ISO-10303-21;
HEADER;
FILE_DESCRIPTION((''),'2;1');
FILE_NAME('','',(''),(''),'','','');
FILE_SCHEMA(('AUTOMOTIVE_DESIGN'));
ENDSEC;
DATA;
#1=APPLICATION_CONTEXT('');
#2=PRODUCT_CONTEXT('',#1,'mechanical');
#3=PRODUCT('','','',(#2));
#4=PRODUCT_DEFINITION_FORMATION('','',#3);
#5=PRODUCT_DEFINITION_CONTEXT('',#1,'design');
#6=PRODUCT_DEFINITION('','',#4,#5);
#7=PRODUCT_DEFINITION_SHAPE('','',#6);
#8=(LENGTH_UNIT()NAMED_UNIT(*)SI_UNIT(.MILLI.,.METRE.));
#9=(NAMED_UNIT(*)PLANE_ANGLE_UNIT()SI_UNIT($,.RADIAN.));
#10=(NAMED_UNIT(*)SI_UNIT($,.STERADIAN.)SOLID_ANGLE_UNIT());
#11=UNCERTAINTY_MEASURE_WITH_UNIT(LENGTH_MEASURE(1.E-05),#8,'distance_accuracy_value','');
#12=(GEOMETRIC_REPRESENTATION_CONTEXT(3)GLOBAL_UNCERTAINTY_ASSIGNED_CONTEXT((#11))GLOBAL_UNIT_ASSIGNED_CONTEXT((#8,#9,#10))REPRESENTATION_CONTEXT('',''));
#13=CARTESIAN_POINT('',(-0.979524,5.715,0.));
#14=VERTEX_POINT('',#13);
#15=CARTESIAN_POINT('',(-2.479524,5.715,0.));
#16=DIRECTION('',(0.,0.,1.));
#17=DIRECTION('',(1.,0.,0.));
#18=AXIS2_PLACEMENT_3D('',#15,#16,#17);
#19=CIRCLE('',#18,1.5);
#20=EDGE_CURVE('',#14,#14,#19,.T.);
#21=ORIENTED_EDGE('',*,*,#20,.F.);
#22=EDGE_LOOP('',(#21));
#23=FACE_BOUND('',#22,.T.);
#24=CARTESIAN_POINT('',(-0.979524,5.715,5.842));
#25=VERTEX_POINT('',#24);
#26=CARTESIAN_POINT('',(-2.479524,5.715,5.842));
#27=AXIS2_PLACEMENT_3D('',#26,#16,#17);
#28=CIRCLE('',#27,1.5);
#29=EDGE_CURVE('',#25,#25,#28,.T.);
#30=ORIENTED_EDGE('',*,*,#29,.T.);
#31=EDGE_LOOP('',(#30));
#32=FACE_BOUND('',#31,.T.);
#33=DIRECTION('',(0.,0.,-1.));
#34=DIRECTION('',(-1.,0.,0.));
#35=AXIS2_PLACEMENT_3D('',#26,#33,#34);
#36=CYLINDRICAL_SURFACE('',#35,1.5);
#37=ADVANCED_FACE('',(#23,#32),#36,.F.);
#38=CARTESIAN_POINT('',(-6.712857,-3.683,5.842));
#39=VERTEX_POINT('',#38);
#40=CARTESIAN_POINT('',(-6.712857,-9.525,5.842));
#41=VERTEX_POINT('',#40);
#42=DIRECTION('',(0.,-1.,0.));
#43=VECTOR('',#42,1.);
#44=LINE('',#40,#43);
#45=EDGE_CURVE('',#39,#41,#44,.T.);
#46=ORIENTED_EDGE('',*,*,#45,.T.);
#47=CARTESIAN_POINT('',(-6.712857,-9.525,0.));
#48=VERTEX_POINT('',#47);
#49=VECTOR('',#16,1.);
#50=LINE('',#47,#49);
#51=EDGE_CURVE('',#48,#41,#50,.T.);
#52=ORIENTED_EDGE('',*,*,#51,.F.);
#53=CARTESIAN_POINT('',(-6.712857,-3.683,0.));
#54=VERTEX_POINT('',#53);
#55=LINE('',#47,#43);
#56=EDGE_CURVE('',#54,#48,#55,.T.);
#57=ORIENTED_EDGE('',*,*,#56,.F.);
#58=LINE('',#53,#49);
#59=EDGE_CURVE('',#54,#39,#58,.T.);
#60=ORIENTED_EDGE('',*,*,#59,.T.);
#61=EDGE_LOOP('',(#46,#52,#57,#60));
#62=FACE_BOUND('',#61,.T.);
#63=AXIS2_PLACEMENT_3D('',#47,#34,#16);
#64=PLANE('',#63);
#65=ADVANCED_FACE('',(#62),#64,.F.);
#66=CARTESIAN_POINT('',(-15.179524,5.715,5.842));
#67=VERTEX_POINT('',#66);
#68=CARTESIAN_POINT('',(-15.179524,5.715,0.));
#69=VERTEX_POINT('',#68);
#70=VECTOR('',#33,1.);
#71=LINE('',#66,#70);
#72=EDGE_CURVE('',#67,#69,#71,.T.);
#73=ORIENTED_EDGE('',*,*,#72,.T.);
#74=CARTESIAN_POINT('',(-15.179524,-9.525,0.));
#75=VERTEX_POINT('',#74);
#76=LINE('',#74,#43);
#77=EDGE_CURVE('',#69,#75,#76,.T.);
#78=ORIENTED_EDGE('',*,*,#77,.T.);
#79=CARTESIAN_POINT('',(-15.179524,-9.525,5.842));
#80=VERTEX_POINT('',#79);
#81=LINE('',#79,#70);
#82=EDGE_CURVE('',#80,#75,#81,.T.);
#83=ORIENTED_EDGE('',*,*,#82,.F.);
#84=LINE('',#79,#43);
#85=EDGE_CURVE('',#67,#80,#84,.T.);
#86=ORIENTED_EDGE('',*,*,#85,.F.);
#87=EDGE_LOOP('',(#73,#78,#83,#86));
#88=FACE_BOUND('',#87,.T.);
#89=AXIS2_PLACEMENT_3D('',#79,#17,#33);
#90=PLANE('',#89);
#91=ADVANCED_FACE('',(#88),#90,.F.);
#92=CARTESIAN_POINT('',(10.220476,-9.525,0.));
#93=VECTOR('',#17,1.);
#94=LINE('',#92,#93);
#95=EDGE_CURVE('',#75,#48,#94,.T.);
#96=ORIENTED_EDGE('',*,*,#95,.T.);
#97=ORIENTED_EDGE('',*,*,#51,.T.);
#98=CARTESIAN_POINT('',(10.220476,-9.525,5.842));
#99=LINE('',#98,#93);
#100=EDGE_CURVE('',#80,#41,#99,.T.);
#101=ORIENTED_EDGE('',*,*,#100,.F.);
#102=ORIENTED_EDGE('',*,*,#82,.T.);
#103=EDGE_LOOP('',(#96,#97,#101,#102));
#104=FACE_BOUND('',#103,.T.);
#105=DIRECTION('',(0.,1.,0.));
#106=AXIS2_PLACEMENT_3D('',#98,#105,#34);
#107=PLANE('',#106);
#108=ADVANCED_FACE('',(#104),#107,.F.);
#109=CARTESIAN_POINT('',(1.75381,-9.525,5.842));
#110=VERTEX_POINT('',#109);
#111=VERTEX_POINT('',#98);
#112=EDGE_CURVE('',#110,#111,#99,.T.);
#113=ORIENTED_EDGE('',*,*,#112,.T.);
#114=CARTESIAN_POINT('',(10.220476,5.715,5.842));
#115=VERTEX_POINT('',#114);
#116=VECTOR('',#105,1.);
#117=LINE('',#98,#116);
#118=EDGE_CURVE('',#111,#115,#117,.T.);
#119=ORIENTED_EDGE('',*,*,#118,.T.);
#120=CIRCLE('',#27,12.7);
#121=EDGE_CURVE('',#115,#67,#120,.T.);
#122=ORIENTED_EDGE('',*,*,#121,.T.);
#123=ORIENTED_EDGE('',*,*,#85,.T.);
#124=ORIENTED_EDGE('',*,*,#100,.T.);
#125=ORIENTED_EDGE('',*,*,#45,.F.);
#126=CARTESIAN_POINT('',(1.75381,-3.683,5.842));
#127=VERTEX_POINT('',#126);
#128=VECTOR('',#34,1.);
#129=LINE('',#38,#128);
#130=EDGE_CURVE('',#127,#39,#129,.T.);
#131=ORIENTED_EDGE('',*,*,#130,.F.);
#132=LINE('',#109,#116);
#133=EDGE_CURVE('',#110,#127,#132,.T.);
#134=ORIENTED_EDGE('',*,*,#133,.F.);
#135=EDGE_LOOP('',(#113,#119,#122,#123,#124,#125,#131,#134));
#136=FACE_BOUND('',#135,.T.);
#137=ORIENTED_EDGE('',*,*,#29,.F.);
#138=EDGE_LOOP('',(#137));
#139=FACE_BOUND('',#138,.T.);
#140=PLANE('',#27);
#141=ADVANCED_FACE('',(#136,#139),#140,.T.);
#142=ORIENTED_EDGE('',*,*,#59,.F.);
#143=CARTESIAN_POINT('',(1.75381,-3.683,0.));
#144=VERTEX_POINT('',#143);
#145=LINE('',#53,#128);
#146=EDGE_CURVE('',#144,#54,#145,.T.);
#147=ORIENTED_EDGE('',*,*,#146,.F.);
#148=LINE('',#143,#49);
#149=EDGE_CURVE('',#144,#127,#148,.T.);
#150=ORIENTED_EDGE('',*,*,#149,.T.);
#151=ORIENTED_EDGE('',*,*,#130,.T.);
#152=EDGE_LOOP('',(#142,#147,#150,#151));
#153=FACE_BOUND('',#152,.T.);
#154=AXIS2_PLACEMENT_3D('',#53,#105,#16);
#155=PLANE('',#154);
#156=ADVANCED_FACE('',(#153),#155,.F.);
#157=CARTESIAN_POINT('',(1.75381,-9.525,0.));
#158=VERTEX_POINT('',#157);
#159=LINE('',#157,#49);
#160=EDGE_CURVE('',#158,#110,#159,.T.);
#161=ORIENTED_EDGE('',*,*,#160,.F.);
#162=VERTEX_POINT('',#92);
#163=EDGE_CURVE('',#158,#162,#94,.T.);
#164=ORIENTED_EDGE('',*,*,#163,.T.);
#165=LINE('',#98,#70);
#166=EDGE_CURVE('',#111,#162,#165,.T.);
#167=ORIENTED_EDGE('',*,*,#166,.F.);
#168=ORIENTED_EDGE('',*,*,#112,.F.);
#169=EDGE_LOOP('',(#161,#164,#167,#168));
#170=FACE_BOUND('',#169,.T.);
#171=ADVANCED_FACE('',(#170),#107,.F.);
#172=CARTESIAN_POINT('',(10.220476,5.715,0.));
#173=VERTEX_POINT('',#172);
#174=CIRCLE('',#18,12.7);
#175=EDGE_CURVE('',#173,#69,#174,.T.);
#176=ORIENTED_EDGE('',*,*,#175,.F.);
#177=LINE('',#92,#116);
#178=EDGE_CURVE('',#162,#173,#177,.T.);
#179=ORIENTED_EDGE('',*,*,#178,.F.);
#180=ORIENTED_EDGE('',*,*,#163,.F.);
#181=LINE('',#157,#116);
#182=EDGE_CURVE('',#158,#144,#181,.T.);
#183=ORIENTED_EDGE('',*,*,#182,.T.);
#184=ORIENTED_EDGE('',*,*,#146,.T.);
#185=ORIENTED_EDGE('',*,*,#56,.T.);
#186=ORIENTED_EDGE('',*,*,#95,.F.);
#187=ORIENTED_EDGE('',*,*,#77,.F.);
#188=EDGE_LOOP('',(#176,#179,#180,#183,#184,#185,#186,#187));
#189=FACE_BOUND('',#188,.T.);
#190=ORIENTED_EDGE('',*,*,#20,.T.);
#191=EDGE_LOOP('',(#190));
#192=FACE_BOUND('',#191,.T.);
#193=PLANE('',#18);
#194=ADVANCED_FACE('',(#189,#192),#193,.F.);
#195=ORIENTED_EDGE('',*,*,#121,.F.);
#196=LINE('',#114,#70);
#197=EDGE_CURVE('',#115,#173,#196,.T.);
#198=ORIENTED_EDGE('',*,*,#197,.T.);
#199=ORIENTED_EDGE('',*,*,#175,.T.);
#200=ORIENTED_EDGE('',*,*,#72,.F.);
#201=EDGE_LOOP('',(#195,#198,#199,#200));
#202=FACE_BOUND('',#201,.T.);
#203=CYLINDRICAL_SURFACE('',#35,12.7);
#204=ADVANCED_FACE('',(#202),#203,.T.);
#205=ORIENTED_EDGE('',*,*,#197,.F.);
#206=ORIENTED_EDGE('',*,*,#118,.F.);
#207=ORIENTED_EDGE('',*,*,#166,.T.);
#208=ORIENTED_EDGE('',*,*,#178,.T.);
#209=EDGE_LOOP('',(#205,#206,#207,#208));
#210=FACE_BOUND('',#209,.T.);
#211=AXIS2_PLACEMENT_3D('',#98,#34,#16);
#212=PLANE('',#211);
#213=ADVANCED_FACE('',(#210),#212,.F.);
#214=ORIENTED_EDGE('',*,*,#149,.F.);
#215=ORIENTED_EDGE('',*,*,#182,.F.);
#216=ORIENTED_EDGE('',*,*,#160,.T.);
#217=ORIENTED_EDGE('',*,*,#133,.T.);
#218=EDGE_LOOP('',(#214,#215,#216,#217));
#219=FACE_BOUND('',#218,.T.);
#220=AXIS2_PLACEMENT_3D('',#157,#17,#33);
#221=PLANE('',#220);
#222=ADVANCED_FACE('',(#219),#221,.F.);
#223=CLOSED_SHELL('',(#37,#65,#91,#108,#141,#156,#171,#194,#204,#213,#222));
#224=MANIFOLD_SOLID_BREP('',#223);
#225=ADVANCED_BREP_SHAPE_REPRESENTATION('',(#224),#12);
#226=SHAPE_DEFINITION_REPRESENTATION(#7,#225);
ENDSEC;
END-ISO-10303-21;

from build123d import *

# Parameters (mm, degrees)
SKETCH1_R           = 1.5
BOSS_EXTRUDE1_DEPTH = 5.842
SKETCH3_W           = 8.466666667
SKETCH3_H           = 5.842
CUT_EXTRUDE2_DEPTH  = 5.842


with BuildPart() as part:
    # Sketch1 → Boss-Extrude1 (new body)
    with BuildSketch(Plane.XY):
        with BuildLine():
            Line((10.22047619, -9.525), (-15.17952381, -9.525))
            Line((-15.17952381, -9.525), (-15.17952381, 5.715))
            ThreePointArc((-15.17952381, 5.715), (-2.47952381, 18.415), (10.22047619, 5.715))
            Line((10.22047619, 5.715), (10.22047619, -9.525))
        make_face()
        with Locations((-2.47952381, 5.715)):
            Circle(SKETCH1_R, mode=Mode.SUBTRACT)
    extrude(amount=BOSS_EXTRUDE1_DEPTH)

    # Sketch3 → Cut-Extrude2 (cut)
    with BuildSketch(Plane.XY.offset(5.842)):
        with Locations((-2.47952381, -6.604)):
            Rectangle(SKETCH3_W, SKETCH3_H)
    extrude(amount=-CUT_EXTRUDE2_DEPTH, mode=Mode.SUBTRACT)


solid = part.part
